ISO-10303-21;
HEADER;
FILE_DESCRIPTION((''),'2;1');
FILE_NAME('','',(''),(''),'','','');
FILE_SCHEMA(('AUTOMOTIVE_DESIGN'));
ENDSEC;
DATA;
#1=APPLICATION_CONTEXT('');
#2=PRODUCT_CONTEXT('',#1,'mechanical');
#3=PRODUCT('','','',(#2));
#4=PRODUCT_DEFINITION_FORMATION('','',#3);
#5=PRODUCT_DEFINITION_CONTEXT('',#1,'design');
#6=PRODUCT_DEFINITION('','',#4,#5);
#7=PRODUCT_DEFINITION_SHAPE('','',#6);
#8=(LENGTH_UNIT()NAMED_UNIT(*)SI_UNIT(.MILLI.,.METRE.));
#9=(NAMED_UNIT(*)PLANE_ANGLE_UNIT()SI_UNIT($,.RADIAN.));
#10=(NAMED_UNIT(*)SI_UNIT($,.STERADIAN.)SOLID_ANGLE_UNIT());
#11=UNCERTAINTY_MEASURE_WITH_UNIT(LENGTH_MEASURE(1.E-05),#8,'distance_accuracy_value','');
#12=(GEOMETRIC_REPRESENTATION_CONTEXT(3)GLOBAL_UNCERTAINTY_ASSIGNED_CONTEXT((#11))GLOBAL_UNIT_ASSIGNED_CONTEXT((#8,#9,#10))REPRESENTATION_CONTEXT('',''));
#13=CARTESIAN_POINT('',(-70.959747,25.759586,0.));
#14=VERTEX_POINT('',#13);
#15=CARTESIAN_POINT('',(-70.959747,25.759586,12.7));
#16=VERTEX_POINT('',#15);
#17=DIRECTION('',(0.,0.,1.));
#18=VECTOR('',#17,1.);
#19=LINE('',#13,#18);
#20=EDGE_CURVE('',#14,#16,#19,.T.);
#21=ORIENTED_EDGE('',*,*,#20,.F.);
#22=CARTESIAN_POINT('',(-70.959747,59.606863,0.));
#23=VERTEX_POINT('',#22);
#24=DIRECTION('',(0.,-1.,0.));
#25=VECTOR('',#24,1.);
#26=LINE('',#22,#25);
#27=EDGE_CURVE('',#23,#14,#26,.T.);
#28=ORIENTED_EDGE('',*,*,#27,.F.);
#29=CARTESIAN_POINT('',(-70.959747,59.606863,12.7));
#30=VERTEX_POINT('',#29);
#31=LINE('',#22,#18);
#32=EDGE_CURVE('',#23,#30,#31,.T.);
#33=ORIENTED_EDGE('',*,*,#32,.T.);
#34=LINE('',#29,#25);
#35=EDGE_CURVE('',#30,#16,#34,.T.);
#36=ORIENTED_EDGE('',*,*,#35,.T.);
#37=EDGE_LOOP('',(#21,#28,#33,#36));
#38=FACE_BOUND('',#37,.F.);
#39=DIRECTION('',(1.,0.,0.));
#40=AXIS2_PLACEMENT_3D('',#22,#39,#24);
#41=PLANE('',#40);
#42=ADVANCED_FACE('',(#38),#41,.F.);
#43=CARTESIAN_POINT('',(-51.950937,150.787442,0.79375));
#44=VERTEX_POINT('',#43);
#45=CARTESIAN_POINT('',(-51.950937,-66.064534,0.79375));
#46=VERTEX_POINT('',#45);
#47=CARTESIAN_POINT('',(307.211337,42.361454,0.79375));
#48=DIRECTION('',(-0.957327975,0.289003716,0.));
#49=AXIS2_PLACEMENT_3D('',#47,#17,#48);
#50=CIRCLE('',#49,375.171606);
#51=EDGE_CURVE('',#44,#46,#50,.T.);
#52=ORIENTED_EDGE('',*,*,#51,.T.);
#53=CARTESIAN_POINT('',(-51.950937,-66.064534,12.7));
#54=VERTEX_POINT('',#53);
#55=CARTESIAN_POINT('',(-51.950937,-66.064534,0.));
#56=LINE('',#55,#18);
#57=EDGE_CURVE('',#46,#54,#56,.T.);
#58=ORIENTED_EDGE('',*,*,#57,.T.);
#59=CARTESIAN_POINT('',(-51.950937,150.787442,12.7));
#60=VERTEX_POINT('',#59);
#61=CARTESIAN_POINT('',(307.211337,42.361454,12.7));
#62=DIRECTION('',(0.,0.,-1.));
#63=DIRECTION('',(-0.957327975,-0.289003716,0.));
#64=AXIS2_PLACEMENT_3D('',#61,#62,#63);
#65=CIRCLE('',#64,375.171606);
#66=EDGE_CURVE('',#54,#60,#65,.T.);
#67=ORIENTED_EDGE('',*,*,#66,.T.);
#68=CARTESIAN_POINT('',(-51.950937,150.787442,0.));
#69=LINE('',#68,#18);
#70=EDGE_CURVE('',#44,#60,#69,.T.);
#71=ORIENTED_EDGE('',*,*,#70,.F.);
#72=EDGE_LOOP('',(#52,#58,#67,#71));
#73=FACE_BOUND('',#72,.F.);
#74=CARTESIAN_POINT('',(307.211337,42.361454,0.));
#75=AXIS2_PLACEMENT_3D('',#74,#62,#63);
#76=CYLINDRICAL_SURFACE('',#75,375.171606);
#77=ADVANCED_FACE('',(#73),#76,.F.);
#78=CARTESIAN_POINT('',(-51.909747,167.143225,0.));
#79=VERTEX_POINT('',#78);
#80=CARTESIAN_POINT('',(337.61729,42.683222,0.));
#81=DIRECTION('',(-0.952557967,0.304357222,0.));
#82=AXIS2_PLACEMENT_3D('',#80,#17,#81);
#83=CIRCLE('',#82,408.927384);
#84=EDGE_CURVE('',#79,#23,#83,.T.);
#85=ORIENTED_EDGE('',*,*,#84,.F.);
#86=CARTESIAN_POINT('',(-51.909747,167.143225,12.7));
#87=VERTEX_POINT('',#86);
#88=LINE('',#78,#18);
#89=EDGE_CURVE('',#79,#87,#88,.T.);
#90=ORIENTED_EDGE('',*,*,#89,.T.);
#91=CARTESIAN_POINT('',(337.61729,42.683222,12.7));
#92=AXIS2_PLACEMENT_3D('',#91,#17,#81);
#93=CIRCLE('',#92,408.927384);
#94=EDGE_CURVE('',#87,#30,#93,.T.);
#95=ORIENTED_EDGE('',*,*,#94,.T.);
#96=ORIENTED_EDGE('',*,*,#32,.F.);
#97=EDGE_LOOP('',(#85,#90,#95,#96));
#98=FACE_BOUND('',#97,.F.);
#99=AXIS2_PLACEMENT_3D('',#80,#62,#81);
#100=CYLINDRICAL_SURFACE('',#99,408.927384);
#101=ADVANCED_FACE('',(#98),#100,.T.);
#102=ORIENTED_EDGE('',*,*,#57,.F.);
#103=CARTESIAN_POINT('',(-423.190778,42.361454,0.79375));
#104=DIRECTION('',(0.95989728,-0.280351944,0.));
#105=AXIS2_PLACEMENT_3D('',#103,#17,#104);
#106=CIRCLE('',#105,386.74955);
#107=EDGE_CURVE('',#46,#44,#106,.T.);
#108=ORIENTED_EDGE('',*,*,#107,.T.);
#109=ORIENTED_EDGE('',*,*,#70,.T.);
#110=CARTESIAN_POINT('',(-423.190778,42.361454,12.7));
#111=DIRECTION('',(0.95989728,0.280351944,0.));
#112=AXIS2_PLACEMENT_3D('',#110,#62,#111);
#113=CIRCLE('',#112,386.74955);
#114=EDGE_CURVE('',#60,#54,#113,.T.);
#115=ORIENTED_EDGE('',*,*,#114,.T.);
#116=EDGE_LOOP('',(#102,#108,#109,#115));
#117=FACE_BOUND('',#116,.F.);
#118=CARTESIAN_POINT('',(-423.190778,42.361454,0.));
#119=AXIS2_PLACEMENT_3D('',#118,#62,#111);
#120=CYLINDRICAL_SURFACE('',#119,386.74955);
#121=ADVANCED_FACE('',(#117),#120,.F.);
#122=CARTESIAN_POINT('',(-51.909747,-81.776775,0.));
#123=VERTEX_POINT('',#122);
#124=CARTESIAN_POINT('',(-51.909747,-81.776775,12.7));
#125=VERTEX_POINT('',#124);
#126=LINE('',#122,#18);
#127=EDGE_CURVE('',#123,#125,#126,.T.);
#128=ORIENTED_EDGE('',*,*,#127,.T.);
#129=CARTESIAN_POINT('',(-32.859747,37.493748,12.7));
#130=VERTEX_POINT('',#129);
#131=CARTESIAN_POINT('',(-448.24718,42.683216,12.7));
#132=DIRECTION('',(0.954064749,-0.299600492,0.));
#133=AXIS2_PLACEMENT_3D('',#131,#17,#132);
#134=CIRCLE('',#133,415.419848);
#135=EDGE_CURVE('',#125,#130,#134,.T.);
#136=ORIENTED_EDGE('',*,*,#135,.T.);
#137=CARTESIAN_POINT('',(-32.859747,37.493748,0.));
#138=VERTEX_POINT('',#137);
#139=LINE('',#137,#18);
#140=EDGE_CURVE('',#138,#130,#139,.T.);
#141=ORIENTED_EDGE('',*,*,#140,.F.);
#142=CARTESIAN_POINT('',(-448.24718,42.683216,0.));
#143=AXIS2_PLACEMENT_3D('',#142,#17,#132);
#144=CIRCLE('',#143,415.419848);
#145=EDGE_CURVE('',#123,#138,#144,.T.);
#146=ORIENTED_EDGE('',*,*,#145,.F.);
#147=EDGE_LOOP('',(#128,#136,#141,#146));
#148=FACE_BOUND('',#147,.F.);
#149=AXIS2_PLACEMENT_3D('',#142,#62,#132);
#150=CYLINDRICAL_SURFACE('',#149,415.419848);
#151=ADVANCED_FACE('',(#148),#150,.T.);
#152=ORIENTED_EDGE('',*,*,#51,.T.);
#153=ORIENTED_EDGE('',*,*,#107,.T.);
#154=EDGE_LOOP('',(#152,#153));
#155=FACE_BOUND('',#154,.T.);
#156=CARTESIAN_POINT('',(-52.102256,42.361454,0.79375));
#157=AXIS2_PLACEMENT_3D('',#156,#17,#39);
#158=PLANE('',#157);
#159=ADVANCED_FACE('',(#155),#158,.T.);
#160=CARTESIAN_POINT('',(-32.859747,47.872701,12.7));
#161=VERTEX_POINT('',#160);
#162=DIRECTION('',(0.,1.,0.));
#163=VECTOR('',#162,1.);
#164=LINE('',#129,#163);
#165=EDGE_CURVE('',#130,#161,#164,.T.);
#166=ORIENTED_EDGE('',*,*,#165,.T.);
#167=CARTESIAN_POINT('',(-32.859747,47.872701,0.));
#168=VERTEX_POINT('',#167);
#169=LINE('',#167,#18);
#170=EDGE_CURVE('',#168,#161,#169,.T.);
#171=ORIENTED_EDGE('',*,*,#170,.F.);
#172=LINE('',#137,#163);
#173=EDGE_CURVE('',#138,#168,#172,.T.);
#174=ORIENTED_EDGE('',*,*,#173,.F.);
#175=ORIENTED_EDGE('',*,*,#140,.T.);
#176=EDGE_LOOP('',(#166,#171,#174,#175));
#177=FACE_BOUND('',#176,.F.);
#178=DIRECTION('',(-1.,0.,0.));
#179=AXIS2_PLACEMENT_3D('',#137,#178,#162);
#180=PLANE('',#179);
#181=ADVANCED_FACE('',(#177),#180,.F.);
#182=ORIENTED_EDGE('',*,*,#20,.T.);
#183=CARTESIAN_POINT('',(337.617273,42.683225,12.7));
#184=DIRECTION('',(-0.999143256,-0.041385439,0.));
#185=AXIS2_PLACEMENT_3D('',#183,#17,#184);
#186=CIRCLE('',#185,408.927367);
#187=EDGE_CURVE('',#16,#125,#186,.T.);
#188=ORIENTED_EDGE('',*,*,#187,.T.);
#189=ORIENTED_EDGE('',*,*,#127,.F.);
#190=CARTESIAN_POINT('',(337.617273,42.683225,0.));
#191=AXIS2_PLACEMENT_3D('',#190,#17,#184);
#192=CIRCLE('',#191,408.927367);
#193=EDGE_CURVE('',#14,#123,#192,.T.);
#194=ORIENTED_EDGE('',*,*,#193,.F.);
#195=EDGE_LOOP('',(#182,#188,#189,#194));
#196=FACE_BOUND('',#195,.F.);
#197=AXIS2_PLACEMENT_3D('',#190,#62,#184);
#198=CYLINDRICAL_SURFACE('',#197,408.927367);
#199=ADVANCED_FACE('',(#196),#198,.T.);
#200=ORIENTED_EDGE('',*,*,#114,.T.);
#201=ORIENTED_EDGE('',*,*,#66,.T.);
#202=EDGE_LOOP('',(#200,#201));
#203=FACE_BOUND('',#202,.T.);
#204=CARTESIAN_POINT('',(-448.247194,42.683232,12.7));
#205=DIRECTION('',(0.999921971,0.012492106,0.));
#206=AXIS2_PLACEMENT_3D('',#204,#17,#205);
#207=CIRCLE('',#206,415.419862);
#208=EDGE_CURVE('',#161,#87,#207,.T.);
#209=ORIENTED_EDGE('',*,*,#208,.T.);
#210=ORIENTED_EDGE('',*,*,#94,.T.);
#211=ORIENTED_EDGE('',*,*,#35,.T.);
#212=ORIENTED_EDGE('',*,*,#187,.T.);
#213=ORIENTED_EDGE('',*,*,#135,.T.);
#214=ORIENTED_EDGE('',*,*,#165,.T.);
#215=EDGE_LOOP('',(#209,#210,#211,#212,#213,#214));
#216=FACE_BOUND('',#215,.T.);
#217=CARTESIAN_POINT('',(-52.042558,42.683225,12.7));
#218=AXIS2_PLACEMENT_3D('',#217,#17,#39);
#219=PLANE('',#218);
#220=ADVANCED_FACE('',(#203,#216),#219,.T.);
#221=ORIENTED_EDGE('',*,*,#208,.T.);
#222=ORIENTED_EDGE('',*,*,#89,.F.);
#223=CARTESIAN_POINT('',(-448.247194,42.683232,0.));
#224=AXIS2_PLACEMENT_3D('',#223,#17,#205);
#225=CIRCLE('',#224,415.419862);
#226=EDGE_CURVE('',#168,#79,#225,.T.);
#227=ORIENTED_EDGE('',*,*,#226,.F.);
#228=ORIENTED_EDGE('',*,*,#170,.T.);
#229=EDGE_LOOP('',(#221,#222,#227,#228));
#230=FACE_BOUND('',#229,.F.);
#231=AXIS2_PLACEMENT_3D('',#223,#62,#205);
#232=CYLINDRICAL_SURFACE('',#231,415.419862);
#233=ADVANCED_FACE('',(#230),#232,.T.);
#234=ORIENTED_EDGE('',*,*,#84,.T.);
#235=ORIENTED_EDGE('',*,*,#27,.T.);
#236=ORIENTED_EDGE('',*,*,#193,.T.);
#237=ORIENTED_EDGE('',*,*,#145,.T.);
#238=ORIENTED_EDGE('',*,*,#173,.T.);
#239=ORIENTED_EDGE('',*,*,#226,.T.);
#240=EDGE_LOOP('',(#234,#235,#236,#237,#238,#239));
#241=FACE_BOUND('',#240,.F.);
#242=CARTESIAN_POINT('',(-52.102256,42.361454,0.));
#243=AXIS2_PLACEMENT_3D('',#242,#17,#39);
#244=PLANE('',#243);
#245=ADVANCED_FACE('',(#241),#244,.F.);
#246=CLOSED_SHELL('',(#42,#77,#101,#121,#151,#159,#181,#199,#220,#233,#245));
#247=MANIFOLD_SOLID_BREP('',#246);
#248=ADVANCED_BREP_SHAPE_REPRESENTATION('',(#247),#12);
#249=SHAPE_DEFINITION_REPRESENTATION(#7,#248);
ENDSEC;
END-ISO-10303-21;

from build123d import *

# Parameters (mm, degrees)
F1_DEPTH = 12.7
F2_DEPTH = 0.79375


with BuildPart() as f1:
    # F0 (on Top) → F1 (new body)
    with BuildSketch(Plane.XY):
        with BuildLine():
            ThreePointArc((-70.959747, 25.759586), (-65.04081, -28.647407), (-51.909747, -81.776775))
            ThreePointArc((-51.909747, -81.776775), (-38.026899, -22.837553), (-32.859747, 37.493748))
            Line((-32.859747, 37.493748), (-32.859747, 47.872701))
            ThreePointArc((-32.859747, 47.872701), (-38.026899, 108.204002), (-51.909747, 167.143225))
            ThreePointArc((-51.909747, 167.143225), (-65.04081, 114.013856), (-70.959747, 59.606863))
            Line((-70.959747, 59.606863), (-70.959747, 25.759586))
        make_face()
        with BuildLine():
            ThreePointArc((-51.950937, 150.787442), (-36.441228, 42.361454), (-51.950937, -66.064534))
            ThreePointArc((-51.950937, -66.064534), (-67.960269, 42.361454), (-51.950937, 150.787442))
        make_face(mode=Mode.SUBTRACT)
    extrude(amount=F1_DEPTH)

    # F0 (on Top) → F2 (join)
    with BuildSketch(Plane.XY):
        with BuildLine():
            ThreePointArc((-51.950937, 150.787442), (-67.960269, 42.361454), (-51.950937, -66.064534))
            ThreePointArc((-51.950937, -66.064534), (-36.441228, 42.361454), (-51.950937, 150.787442))
        make_face()
    extrude(amount=F2_DEPTH)


solid = f1.part
